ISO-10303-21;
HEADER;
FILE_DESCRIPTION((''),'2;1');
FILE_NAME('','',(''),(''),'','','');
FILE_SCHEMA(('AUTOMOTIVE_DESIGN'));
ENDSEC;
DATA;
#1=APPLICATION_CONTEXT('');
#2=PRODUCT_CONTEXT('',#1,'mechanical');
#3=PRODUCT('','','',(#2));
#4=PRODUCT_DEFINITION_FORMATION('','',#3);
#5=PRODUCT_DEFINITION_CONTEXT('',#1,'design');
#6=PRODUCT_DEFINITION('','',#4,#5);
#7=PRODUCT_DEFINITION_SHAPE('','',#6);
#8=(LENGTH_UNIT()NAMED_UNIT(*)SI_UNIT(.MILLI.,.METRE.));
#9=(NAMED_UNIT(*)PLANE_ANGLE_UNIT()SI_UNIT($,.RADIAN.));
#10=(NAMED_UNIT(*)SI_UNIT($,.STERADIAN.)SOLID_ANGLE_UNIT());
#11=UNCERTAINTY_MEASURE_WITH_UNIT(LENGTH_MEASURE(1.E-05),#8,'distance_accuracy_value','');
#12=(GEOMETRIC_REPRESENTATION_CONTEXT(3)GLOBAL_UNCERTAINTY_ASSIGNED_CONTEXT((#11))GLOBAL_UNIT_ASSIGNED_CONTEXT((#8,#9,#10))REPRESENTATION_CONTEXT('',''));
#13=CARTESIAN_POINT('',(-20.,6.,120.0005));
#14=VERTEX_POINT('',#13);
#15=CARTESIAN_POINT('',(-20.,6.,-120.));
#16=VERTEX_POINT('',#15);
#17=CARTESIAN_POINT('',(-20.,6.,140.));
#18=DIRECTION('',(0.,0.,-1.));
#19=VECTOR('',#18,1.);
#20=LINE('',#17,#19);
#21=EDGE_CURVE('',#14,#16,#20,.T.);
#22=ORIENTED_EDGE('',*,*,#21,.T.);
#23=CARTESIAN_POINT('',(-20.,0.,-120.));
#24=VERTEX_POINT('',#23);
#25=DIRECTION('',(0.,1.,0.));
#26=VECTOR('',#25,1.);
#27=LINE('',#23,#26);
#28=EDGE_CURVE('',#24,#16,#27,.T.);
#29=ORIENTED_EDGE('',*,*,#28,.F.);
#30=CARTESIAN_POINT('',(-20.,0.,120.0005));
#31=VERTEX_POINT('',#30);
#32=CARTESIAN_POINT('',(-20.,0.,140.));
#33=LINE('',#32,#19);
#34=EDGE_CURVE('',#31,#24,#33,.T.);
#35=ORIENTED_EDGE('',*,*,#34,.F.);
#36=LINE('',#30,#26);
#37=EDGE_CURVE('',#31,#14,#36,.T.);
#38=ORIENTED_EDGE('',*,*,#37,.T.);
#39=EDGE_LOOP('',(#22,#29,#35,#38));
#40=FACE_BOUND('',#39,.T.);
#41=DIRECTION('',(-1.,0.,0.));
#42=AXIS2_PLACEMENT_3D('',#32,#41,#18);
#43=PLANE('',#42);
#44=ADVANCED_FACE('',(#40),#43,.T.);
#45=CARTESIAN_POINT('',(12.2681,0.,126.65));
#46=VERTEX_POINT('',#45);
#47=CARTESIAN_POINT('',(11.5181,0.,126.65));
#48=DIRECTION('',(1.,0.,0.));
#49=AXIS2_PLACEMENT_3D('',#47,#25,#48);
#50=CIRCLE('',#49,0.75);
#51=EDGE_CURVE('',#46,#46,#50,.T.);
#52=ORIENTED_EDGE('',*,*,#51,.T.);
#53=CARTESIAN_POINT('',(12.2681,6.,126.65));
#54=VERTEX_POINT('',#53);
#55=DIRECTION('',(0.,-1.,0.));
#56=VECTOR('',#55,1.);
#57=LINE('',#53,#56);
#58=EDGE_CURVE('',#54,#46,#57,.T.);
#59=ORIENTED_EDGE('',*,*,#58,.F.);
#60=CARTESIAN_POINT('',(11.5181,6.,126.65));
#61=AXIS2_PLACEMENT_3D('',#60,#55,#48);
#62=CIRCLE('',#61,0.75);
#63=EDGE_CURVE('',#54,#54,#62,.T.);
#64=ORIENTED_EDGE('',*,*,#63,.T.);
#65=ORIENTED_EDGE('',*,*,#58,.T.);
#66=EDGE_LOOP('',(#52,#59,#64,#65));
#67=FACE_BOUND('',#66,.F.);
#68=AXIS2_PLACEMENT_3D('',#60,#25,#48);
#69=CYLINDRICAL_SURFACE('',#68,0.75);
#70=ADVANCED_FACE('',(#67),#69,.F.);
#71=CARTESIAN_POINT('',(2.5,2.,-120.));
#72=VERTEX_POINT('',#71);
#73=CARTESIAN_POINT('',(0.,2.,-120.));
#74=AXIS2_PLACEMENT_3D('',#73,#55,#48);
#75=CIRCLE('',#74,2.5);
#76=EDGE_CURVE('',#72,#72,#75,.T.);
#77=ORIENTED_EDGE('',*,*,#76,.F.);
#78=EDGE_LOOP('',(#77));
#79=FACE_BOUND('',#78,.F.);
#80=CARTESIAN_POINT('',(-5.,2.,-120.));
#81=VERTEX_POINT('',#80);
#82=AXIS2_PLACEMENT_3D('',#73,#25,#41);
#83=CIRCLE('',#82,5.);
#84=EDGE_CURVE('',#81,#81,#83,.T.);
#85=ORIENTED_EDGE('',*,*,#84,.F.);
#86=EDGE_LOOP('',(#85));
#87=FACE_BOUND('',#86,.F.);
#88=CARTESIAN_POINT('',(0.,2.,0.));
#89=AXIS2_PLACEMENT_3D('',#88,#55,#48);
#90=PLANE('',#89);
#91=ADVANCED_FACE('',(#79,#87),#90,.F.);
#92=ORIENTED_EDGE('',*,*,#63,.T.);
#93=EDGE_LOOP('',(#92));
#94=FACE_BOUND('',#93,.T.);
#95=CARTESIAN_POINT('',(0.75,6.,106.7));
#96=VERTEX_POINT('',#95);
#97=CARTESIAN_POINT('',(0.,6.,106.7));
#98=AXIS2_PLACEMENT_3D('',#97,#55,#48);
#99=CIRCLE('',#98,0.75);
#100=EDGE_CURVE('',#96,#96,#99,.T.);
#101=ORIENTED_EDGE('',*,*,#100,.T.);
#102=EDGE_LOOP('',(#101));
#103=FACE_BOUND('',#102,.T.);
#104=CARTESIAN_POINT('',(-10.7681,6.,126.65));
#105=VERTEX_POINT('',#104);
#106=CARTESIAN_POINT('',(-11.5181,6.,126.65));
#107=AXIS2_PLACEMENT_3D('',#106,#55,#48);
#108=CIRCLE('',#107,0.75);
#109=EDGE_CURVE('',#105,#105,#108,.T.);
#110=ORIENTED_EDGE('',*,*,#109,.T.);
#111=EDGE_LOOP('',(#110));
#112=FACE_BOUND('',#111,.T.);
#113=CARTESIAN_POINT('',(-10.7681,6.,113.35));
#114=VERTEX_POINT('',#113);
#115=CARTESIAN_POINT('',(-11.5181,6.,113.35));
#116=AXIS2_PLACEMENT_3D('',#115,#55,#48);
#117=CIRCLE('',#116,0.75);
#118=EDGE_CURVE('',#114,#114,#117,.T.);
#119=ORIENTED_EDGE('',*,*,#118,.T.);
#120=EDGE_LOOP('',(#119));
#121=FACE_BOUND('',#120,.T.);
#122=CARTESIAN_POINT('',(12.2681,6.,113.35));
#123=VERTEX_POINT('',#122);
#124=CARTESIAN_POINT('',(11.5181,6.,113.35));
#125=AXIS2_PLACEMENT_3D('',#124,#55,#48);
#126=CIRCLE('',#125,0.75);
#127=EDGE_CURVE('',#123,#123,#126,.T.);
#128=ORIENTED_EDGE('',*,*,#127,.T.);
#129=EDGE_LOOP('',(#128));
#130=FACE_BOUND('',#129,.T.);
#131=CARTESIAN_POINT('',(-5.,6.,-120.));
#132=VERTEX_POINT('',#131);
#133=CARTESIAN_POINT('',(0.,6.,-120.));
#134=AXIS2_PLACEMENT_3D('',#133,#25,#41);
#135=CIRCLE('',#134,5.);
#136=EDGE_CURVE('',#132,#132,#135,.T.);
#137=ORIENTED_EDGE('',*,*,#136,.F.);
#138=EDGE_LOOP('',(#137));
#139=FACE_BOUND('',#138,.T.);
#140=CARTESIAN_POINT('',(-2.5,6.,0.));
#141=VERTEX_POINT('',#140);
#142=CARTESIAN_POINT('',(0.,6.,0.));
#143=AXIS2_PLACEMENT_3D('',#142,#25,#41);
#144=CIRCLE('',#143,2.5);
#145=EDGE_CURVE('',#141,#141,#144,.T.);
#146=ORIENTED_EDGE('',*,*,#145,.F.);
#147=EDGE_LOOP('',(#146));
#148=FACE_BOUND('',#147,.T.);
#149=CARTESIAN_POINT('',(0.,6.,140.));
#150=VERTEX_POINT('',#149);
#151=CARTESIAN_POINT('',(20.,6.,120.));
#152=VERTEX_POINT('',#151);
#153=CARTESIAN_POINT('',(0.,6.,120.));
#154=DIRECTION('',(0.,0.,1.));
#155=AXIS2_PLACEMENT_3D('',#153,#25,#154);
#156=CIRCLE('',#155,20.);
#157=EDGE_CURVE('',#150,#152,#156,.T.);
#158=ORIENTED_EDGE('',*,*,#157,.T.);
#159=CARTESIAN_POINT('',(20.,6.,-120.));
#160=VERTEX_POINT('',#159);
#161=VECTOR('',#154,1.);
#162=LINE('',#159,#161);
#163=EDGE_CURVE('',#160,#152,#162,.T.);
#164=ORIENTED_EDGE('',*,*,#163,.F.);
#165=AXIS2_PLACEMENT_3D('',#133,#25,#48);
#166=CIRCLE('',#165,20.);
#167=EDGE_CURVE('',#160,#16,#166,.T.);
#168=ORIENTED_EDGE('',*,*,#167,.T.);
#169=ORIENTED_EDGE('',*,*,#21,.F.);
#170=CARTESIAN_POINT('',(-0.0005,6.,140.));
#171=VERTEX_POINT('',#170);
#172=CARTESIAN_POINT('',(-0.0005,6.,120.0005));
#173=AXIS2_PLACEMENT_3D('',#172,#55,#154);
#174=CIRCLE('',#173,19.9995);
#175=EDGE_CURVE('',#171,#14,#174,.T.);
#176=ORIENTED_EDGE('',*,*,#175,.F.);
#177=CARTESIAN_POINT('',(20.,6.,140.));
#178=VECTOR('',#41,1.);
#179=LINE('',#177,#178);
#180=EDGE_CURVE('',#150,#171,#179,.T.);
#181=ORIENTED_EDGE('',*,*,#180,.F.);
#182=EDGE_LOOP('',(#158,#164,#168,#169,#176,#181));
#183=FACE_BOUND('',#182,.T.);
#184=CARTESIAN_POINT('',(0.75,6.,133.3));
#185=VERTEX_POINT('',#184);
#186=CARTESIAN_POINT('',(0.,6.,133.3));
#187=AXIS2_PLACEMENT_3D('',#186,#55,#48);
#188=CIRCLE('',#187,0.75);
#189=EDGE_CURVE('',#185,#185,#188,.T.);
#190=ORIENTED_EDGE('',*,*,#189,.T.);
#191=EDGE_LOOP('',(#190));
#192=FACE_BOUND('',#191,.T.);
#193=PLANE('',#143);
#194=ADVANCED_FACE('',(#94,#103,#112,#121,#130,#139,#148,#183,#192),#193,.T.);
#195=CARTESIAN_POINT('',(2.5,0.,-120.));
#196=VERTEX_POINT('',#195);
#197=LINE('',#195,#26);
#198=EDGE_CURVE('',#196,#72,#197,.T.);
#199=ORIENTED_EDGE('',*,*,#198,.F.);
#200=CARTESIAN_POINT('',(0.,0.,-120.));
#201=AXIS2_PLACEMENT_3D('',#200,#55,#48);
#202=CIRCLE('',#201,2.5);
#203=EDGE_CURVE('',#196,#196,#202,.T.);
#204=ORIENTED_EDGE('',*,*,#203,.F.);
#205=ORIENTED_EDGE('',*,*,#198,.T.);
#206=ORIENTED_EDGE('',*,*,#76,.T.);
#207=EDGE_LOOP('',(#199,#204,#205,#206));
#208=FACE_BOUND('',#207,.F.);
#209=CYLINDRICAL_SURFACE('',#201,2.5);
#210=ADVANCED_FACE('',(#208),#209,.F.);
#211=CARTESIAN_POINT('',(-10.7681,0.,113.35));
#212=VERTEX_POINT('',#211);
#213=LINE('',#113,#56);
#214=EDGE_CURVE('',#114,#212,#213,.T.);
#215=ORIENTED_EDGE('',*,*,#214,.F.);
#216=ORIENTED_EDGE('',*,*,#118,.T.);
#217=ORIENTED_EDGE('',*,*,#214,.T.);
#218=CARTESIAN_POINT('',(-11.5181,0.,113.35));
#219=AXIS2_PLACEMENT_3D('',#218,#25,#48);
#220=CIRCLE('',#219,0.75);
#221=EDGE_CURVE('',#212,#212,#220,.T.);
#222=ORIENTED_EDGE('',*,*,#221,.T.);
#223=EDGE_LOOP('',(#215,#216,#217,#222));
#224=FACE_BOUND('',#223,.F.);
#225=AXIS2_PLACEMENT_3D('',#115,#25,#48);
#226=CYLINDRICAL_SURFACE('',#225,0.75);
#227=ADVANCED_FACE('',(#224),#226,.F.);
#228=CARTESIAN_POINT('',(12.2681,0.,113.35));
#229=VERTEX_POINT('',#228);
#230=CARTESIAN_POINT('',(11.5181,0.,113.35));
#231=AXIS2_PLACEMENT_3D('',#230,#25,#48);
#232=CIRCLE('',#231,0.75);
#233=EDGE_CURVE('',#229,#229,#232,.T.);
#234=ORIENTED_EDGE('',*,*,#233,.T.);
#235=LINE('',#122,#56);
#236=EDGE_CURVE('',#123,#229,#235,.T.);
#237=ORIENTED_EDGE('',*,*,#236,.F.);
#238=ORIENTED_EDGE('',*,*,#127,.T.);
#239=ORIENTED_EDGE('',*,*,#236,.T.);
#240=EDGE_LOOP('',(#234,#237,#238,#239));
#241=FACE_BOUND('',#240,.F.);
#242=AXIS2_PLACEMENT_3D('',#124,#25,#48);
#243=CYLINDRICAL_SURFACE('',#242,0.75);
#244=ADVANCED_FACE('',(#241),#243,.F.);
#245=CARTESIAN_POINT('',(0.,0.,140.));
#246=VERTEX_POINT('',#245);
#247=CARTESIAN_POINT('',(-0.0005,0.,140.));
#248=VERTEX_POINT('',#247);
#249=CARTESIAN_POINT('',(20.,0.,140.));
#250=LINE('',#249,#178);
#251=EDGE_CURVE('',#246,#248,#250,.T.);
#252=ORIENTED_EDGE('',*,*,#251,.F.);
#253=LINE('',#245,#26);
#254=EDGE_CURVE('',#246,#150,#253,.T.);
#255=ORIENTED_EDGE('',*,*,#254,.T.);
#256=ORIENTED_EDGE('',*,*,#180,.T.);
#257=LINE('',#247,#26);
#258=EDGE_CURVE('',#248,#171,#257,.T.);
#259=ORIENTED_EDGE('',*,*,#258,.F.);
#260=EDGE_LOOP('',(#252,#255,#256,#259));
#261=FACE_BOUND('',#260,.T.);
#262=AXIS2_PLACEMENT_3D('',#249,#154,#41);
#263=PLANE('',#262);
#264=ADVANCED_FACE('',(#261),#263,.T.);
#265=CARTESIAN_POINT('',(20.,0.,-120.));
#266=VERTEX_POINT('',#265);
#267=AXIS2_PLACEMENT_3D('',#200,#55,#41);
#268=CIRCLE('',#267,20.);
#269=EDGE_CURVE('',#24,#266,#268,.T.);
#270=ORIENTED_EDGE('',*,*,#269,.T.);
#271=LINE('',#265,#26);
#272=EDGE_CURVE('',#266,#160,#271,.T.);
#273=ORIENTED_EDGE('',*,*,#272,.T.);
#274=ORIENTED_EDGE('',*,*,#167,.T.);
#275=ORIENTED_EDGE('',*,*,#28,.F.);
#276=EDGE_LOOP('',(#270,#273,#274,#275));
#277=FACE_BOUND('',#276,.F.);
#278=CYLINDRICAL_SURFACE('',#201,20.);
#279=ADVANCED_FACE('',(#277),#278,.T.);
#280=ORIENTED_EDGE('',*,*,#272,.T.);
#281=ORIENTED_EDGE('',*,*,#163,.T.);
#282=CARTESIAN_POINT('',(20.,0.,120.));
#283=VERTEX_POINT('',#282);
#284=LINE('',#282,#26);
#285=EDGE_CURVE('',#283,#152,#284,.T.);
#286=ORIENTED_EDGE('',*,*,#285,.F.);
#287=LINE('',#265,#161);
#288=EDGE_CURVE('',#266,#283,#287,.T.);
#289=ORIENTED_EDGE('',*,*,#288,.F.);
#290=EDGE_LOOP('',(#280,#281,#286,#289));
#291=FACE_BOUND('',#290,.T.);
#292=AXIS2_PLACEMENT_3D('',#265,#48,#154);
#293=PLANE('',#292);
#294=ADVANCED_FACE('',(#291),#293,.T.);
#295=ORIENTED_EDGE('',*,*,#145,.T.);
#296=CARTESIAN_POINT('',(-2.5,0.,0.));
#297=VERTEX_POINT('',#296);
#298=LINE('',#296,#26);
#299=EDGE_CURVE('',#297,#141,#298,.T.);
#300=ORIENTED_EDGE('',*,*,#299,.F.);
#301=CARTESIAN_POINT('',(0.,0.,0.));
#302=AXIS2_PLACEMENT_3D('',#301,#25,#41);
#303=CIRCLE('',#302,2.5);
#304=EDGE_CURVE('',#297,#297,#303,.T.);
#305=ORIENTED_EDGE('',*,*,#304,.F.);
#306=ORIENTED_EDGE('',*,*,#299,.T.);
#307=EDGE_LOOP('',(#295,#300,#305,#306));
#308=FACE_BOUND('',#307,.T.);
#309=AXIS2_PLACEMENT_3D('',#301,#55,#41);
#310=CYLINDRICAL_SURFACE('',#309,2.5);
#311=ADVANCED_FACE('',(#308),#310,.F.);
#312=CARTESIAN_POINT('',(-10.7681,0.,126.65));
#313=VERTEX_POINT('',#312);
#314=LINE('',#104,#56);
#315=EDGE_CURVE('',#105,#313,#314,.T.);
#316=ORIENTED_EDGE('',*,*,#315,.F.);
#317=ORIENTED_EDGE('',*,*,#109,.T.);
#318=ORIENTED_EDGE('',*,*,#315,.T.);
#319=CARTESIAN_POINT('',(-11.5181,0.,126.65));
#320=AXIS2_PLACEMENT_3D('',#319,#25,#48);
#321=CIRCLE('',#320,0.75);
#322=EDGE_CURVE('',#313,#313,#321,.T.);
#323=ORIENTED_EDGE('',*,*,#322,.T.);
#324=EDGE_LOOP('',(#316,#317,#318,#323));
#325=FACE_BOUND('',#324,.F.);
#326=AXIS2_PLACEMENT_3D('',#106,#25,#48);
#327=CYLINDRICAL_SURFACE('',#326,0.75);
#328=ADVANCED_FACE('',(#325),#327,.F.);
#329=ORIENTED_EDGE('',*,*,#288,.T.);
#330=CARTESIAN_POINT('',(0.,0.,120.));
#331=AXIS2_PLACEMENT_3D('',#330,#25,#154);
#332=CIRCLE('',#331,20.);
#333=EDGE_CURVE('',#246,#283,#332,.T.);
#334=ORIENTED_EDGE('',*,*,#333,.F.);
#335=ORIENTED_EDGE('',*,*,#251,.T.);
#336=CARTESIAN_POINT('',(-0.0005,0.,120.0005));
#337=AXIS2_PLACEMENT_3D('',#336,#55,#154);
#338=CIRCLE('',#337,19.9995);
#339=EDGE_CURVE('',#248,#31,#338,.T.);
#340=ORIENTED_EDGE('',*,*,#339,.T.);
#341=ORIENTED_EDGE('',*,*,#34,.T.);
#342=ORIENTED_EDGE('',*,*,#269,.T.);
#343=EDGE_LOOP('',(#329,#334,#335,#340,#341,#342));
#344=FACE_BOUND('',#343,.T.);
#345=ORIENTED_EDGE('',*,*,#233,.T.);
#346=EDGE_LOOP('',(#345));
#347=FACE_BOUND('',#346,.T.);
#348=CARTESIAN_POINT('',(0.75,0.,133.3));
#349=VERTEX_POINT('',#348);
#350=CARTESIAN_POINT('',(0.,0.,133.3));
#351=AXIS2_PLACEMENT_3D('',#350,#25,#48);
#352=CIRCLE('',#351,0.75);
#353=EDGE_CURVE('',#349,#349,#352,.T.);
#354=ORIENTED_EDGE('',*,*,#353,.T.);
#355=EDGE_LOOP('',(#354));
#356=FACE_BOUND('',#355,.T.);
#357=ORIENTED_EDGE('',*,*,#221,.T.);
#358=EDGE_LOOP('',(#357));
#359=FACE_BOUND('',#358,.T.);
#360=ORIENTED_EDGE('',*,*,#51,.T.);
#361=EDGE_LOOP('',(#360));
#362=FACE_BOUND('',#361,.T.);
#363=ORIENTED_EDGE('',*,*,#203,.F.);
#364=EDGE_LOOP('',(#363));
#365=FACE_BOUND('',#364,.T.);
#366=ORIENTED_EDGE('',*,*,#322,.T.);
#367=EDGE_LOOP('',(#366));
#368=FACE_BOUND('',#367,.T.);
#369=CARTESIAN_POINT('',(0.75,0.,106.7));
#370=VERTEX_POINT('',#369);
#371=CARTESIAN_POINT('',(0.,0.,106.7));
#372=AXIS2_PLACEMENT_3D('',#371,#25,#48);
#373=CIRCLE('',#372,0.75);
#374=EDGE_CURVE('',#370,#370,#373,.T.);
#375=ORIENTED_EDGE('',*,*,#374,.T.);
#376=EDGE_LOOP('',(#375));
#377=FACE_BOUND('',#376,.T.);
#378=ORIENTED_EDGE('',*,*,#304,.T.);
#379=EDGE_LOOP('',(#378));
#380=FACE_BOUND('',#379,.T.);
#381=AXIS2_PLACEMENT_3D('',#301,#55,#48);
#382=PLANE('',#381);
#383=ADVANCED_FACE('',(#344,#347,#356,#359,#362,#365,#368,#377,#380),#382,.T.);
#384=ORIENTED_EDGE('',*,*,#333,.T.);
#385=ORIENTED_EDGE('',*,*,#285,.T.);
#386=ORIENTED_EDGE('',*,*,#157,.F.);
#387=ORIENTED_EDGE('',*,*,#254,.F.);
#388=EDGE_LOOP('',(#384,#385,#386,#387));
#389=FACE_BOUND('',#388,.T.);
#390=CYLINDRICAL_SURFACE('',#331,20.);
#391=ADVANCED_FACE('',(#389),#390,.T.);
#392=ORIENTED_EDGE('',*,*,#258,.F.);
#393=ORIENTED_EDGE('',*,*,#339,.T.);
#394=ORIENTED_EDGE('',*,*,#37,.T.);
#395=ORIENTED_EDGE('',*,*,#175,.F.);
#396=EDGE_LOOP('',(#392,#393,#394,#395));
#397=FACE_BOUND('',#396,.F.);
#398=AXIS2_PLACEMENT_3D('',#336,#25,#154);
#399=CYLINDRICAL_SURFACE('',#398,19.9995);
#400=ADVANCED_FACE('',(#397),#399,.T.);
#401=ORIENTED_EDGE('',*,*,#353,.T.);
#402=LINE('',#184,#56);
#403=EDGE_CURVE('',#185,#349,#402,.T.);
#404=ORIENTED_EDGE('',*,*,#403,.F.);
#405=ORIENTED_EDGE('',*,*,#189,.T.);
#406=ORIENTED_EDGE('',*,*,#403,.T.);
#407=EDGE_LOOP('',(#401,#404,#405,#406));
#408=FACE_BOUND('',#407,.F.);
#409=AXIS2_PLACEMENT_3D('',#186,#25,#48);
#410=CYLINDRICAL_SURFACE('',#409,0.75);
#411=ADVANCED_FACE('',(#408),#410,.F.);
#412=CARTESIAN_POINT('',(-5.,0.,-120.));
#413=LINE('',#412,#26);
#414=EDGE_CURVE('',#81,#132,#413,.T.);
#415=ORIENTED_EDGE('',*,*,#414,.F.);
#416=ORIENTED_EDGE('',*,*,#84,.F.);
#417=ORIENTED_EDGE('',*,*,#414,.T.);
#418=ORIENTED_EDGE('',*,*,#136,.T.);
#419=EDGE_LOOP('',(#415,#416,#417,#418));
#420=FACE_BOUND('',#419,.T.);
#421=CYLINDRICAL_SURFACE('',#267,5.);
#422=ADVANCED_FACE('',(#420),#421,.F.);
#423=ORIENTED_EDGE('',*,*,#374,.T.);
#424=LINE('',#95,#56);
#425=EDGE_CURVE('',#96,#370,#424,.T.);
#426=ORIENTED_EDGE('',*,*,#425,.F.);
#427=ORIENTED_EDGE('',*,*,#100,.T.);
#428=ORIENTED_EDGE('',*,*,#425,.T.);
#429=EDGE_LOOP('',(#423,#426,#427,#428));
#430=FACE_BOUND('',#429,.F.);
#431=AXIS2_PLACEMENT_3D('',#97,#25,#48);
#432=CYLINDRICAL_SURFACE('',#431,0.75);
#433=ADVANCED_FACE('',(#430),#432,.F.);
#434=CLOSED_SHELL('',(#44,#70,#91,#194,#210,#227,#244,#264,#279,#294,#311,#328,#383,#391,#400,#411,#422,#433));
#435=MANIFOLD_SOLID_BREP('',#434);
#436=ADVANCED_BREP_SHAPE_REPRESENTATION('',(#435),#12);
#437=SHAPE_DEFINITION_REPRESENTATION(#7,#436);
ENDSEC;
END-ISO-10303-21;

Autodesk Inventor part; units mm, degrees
ref_plane "YZ Plane" through (0, 0, 0) normal (1, 0, 0) x (0, 1, 0)
ref_plane "XZ Plane" through (0, 0, 0) normal (0, 1, 0) x (-1, 0, 0)
ref_plane "XY Plane" through (0, 0, 0) normal (0, 0, 1) x (1, 0, 0)
sketch "Szkic1" plane through (0, 0, 0) normal (0, 1, 0) x (-1, 0, 0)
  line L0 (-20, 140) -> (20, 140)
  line L1 (20, 140) -> (20, -120)
  line L2 (0, -140) -> (0, -140)
  line L3 (-20, -120) -> (-20, 140)
  arc A0 (0, -140) -> (20, -120) centre (0, -120) ccw
  arc A1 (-20, -120) -> (0, -140) centre (0, -120) ccw
  circle A2 centre (0, -120) radius 5
  circle A3 centre (0, 0) radius 2.5
  point P0 (20, -120)
  point P1 (0, -140)
  point P2 (-20, -120)
  point P3 (20, -120)
  point P4 (-20, -120)
  point P5 (0, -140)
  dimension "d3" = 20
  dimension "d4" = 20
  dimension "d9" = 5
extrude "Wyciągnięcie proste2" add sketch "Szkic1" along normal blind 6
sketch "Szkic2" plane through (0, 6, 0) normal (0, 1, 0) x (1, 0, 0)
  line L0 (0, -106.7) -> (11.5181, -113.35)
  line L1 (11.5181, -113.35) -> (11.5181, -126.65)
  line L2 (11.5181, -126.65) -> (0, -133.3)
  line L3 (0, -133.3) -> (-11.5181, -126.65)
  line L4 (-11.5181, -126.65) -> (-11.5181, -113.35)
  line L5 (-11.5181, -113.35) -> (0, -106.7)
  circle A0 centre (-11.5181, -113.35) radius 0.75
  circle A1 centre (0, -106.7) radius 0.75
  circle A2 centre (11.5181, -113.35) radius 0.75
  circle A3 centre (11.5181, -126.65) radius 0.75
  circle A4 centre (0, -133.3) radius 0.75
  circle A5 centre (-11.5181, -126.65) radius 0.75
  point P0 (0, 0)
  point P1 (-20.5841, -116.7396)
  point P2 (0, -120)
  point P3 (0, -120)
  point P4 (0, -120)
  dimension "d12" = 1.5
  dimension "d13" = 1.5
  dimension "d14" = 1.5
  dimension "d15" = 1.5
  dimension "d16" = 1.5
  dimension "d17" = 1.5
extrude "Wyciągnięcie proste3" cut sketch "Szkic2" against normal blind 6 contours L5 A1 L0 | L0 A1 L5 | A2 L1 L0 | L0 L1 A2 | A0 L4 L5 | L5 L4 A0 | A3 L2 L1 | L1 L2 A3 | A5 L3 L4 | L4 L3 A5 | A4 L3 L2 | L2 L3 A4
sketch "Szkic3" plane through (0, 0, 0) normal (0, -1, 0) x (1, 0, 0)
  circle A0 centre (0, -120) radius 5
  circle A1 centre (0, -120) radius 2.5
  point P0 (0, 0)
  dimension "d30" = 10
  dimension "d31" = 5
extrude "Wyciągnięcie proste4" add sketch "Szkic3" against normal blind 2
fillet "Zaokrąglenie1" radius 20 1 edges at (20, 3, 140)
fillet "Zaokrąglenie2" radius 20 1 edges at (-20, 3, 140)
properties part number "GroundArm"
